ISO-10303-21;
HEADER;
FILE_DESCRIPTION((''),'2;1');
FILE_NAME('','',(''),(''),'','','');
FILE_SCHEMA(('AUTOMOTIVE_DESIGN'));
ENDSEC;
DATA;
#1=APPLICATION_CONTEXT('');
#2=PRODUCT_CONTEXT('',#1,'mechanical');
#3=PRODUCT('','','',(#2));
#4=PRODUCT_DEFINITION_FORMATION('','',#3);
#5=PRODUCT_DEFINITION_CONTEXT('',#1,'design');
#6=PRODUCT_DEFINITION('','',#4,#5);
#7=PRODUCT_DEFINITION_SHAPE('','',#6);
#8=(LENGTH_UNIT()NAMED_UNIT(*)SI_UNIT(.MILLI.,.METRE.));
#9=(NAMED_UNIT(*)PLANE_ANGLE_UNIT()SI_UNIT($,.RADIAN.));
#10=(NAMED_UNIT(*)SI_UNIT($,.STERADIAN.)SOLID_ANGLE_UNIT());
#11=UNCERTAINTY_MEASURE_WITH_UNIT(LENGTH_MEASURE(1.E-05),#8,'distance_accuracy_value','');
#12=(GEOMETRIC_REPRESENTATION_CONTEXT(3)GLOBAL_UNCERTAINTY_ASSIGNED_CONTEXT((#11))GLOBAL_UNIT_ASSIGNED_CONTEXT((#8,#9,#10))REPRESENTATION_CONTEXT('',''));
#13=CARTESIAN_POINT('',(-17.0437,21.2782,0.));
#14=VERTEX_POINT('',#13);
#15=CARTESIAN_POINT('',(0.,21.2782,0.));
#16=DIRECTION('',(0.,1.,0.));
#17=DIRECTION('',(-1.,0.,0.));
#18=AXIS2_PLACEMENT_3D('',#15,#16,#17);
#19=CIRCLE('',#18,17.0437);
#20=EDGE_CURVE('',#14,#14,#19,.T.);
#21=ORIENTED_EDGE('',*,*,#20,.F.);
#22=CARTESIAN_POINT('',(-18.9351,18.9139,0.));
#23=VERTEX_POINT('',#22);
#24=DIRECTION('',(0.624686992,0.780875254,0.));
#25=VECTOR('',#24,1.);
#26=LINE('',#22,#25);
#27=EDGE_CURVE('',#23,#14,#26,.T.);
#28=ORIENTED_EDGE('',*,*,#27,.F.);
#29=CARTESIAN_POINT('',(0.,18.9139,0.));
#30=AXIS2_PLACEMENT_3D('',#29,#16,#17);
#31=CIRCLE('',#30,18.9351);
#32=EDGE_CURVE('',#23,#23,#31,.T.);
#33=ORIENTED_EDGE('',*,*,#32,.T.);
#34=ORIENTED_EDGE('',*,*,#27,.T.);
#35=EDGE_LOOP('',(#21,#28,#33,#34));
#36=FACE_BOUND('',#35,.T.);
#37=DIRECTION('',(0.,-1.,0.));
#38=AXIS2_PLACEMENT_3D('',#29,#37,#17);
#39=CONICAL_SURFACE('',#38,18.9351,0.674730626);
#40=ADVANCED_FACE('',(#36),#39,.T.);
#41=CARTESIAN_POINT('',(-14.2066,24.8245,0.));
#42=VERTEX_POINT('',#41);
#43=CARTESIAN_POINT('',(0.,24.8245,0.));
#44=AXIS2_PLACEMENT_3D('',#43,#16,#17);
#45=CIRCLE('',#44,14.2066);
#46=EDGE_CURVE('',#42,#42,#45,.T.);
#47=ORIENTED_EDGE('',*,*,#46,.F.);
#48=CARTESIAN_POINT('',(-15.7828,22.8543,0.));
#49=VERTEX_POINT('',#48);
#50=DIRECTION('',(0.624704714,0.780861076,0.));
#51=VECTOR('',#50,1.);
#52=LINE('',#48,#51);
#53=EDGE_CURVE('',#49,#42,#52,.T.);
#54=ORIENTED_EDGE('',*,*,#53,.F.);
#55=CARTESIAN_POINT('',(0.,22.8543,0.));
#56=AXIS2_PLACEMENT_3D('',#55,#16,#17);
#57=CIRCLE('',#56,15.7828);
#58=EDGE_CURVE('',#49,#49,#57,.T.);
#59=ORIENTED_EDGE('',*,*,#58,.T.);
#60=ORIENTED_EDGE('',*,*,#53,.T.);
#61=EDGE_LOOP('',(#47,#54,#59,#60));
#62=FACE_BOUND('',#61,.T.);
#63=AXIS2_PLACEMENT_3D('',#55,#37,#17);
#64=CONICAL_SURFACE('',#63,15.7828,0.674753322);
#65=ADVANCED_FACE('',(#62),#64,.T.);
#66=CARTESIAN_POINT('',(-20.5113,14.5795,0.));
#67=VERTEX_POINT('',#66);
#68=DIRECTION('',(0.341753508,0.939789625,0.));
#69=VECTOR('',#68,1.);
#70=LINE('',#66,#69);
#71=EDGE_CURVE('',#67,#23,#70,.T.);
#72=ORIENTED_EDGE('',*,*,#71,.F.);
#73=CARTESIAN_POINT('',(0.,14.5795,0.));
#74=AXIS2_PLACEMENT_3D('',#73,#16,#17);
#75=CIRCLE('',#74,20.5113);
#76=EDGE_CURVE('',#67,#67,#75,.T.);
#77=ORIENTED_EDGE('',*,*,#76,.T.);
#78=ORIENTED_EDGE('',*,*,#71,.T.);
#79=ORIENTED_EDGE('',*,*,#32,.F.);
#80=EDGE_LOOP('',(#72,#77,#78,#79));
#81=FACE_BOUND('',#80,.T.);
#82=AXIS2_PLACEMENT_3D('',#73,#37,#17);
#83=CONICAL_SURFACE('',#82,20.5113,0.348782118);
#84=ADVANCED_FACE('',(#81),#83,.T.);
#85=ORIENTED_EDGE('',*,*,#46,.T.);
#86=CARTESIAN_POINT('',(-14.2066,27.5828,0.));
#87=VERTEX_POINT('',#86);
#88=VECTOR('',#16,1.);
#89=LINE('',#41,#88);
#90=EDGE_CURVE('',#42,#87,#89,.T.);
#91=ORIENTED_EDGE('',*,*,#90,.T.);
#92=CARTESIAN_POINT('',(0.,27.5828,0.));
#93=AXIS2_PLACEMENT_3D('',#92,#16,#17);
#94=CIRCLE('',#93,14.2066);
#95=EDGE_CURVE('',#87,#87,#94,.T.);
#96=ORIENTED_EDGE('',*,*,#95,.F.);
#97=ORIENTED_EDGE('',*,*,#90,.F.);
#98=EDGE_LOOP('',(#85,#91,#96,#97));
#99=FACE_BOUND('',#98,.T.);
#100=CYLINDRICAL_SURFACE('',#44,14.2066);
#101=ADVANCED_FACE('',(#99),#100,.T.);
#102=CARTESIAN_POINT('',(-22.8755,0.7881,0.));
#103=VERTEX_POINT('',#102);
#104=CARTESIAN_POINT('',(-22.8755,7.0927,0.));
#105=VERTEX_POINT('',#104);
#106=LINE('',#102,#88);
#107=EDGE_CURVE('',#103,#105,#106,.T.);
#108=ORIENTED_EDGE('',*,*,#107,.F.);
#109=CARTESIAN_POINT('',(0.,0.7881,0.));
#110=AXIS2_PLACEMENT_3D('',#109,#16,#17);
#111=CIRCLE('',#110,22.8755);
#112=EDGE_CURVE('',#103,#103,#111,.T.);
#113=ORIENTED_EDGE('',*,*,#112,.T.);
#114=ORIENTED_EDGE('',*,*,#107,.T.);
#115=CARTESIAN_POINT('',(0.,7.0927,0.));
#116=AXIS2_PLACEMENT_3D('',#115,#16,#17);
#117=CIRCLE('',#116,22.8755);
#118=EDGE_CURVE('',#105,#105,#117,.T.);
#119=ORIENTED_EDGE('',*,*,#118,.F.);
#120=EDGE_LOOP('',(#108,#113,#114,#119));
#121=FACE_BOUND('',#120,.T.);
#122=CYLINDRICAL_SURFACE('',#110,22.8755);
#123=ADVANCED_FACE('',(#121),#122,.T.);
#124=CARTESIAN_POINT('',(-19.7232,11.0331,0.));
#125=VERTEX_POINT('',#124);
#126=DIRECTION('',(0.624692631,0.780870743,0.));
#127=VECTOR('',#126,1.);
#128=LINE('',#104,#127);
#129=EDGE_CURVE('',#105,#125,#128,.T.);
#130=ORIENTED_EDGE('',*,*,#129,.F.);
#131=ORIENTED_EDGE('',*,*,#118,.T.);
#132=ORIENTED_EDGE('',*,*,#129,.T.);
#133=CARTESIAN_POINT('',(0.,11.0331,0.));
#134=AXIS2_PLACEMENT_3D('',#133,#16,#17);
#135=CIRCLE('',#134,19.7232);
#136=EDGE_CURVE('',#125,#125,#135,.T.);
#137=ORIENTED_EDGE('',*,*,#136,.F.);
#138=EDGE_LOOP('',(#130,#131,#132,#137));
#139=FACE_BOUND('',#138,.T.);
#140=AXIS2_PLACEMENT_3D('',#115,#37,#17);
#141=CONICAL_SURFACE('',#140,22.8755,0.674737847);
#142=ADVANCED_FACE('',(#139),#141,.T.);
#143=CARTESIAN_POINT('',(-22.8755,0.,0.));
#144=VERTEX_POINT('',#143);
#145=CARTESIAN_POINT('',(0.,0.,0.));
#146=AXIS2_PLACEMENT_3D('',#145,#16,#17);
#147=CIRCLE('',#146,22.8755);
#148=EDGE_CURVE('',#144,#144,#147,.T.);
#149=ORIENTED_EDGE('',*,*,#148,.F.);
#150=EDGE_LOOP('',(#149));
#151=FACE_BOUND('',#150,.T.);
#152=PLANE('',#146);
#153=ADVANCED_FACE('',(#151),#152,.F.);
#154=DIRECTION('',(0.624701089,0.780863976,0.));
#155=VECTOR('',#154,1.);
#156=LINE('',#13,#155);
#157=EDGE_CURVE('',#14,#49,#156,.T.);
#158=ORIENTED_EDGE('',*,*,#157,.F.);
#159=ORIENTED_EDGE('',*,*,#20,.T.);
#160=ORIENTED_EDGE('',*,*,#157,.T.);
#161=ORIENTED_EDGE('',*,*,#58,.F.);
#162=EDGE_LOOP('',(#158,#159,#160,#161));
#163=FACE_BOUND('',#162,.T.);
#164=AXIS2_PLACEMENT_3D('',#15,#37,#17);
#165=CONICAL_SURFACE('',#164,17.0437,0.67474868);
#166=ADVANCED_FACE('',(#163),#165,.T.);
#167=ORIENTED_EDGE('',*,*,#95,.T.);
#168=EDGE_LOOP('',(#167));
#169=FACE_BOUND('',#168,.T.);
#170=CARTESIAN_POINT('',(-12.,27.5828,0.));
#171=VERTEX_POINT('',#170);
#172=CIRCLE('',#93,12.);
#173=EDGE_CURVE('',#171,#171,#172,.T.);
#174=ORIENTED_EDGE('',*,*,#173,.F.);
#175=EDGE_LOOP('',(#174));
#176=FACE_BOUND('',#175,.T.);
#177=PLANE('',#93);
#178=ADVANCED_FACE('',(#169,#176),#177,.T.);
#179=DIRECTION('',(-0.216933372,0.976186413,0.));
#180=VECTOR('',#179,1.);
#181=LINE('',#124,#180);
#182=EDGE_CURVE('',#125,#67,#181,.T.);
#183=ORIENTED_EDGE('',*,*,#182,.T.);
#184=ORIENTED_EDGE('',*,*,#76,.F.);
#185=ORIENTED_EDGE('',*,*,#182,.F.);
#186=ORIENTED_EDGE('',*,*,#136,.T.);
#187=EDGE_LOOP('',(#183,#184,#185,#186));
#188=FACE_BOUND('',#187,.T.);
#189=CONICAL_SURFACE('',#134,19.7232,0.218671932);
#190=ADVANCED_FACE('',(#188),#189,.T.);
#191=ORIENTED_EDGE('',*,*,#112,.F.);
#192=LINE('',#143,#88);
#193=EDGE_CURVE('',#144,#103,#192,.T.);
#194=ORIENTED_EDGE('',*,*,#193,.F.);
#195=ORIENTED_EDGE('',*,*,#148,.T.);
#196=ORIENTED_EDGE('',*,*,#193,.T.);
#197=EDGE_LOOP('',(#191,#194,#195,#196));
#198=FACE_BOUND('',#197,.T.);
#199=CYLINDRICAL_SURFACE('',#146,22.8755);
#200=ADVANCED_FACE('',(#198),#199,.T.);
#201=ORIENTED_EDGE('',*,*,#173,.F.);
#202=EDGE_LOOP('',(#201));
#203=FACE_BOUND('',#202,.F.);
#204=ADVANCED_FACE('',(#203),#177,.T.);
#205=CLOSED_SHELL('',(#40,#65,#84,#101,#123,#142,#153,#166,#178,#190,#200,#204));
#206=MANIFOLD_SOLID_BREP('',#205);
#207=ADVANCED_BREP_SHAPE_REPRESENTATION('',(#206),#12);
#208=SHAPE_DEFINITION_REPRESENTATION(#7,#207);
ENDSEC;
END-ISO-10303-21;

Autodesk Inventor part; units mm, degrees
ref_plane "YZ Plane" through (0, 0, 0) normal (1, 0, 0) x (0, 1, 0)
ref_plane "XZ Plane" through (0, 0, 0) normal (0, 1, 0) x (-1, 0, 0)
ref_plane "XY Plane" through (0, 0, 0) normal (0, 0, 1) x (1, 0, 0)
sketch "Boceto2" plane through (0, 0, 0) normal (0, 0, 1) x (1, 0, 0)
  line L0 (-55.132, 97.6233) -> (57.4508, 97.6233) construction
  line L1 (57.4508, 97.6233) -> (57.4508, -13.0832) construction
  line L2 (57.4508, -13.0832) -> (-55.132, -13.0832) construction
  line L3 (-55.132, -13.0832) -> (-55.132, 97.6233) construction
  line L4 (0, 0) -> (0, 27.5828)
  line L5 (0, 27.5828) -> (0, 0)
  line L6 (-22.8755, 0.7881) -> (-22.8755, 7.0927)
  line L7 (-22.8755, 7.0927) -> (-19.7232, 11.0331)
  line L8 (-19.7232, 11.0331) -> (-20.5113, 14.5795)
  line L9 (-20.5113, 14.5795) -> (-18.9351, 18.9139)
  line L10 (-18.9351, 18.9139) -> (-17.0437, 21.2782)
  line L11 (-17.0437, 21.2782) -> (-15.7828, 22.8543)
  line L12 (-15.7828, 22.8543) -> (-14.2066, 24.8245)
  line L13 (-14.2066, 24.8245) -> (-14.2066, 27.5828)
  line L14 (-14.2066, 27.5828) -> (-12, 27.5828)
  line L15 (0, 27.5828) -> (-12, 27.5828)
  line L16 (-14.2066, 27.5828) -> (-12, 27.5828)
  line L17 (0, 0) -> (-22.8755, 0)
  line L18 (-22.8755, 0) -> (-22.8755, 0.7881)
  dimension "d18" = 12
revolve "Revolución1" add sketch "Boceto2" angle 360 about axis through (0, 0, 0) along (0, 1, 0)
properties part number "KINGHT BASE  medieum 1.0"
